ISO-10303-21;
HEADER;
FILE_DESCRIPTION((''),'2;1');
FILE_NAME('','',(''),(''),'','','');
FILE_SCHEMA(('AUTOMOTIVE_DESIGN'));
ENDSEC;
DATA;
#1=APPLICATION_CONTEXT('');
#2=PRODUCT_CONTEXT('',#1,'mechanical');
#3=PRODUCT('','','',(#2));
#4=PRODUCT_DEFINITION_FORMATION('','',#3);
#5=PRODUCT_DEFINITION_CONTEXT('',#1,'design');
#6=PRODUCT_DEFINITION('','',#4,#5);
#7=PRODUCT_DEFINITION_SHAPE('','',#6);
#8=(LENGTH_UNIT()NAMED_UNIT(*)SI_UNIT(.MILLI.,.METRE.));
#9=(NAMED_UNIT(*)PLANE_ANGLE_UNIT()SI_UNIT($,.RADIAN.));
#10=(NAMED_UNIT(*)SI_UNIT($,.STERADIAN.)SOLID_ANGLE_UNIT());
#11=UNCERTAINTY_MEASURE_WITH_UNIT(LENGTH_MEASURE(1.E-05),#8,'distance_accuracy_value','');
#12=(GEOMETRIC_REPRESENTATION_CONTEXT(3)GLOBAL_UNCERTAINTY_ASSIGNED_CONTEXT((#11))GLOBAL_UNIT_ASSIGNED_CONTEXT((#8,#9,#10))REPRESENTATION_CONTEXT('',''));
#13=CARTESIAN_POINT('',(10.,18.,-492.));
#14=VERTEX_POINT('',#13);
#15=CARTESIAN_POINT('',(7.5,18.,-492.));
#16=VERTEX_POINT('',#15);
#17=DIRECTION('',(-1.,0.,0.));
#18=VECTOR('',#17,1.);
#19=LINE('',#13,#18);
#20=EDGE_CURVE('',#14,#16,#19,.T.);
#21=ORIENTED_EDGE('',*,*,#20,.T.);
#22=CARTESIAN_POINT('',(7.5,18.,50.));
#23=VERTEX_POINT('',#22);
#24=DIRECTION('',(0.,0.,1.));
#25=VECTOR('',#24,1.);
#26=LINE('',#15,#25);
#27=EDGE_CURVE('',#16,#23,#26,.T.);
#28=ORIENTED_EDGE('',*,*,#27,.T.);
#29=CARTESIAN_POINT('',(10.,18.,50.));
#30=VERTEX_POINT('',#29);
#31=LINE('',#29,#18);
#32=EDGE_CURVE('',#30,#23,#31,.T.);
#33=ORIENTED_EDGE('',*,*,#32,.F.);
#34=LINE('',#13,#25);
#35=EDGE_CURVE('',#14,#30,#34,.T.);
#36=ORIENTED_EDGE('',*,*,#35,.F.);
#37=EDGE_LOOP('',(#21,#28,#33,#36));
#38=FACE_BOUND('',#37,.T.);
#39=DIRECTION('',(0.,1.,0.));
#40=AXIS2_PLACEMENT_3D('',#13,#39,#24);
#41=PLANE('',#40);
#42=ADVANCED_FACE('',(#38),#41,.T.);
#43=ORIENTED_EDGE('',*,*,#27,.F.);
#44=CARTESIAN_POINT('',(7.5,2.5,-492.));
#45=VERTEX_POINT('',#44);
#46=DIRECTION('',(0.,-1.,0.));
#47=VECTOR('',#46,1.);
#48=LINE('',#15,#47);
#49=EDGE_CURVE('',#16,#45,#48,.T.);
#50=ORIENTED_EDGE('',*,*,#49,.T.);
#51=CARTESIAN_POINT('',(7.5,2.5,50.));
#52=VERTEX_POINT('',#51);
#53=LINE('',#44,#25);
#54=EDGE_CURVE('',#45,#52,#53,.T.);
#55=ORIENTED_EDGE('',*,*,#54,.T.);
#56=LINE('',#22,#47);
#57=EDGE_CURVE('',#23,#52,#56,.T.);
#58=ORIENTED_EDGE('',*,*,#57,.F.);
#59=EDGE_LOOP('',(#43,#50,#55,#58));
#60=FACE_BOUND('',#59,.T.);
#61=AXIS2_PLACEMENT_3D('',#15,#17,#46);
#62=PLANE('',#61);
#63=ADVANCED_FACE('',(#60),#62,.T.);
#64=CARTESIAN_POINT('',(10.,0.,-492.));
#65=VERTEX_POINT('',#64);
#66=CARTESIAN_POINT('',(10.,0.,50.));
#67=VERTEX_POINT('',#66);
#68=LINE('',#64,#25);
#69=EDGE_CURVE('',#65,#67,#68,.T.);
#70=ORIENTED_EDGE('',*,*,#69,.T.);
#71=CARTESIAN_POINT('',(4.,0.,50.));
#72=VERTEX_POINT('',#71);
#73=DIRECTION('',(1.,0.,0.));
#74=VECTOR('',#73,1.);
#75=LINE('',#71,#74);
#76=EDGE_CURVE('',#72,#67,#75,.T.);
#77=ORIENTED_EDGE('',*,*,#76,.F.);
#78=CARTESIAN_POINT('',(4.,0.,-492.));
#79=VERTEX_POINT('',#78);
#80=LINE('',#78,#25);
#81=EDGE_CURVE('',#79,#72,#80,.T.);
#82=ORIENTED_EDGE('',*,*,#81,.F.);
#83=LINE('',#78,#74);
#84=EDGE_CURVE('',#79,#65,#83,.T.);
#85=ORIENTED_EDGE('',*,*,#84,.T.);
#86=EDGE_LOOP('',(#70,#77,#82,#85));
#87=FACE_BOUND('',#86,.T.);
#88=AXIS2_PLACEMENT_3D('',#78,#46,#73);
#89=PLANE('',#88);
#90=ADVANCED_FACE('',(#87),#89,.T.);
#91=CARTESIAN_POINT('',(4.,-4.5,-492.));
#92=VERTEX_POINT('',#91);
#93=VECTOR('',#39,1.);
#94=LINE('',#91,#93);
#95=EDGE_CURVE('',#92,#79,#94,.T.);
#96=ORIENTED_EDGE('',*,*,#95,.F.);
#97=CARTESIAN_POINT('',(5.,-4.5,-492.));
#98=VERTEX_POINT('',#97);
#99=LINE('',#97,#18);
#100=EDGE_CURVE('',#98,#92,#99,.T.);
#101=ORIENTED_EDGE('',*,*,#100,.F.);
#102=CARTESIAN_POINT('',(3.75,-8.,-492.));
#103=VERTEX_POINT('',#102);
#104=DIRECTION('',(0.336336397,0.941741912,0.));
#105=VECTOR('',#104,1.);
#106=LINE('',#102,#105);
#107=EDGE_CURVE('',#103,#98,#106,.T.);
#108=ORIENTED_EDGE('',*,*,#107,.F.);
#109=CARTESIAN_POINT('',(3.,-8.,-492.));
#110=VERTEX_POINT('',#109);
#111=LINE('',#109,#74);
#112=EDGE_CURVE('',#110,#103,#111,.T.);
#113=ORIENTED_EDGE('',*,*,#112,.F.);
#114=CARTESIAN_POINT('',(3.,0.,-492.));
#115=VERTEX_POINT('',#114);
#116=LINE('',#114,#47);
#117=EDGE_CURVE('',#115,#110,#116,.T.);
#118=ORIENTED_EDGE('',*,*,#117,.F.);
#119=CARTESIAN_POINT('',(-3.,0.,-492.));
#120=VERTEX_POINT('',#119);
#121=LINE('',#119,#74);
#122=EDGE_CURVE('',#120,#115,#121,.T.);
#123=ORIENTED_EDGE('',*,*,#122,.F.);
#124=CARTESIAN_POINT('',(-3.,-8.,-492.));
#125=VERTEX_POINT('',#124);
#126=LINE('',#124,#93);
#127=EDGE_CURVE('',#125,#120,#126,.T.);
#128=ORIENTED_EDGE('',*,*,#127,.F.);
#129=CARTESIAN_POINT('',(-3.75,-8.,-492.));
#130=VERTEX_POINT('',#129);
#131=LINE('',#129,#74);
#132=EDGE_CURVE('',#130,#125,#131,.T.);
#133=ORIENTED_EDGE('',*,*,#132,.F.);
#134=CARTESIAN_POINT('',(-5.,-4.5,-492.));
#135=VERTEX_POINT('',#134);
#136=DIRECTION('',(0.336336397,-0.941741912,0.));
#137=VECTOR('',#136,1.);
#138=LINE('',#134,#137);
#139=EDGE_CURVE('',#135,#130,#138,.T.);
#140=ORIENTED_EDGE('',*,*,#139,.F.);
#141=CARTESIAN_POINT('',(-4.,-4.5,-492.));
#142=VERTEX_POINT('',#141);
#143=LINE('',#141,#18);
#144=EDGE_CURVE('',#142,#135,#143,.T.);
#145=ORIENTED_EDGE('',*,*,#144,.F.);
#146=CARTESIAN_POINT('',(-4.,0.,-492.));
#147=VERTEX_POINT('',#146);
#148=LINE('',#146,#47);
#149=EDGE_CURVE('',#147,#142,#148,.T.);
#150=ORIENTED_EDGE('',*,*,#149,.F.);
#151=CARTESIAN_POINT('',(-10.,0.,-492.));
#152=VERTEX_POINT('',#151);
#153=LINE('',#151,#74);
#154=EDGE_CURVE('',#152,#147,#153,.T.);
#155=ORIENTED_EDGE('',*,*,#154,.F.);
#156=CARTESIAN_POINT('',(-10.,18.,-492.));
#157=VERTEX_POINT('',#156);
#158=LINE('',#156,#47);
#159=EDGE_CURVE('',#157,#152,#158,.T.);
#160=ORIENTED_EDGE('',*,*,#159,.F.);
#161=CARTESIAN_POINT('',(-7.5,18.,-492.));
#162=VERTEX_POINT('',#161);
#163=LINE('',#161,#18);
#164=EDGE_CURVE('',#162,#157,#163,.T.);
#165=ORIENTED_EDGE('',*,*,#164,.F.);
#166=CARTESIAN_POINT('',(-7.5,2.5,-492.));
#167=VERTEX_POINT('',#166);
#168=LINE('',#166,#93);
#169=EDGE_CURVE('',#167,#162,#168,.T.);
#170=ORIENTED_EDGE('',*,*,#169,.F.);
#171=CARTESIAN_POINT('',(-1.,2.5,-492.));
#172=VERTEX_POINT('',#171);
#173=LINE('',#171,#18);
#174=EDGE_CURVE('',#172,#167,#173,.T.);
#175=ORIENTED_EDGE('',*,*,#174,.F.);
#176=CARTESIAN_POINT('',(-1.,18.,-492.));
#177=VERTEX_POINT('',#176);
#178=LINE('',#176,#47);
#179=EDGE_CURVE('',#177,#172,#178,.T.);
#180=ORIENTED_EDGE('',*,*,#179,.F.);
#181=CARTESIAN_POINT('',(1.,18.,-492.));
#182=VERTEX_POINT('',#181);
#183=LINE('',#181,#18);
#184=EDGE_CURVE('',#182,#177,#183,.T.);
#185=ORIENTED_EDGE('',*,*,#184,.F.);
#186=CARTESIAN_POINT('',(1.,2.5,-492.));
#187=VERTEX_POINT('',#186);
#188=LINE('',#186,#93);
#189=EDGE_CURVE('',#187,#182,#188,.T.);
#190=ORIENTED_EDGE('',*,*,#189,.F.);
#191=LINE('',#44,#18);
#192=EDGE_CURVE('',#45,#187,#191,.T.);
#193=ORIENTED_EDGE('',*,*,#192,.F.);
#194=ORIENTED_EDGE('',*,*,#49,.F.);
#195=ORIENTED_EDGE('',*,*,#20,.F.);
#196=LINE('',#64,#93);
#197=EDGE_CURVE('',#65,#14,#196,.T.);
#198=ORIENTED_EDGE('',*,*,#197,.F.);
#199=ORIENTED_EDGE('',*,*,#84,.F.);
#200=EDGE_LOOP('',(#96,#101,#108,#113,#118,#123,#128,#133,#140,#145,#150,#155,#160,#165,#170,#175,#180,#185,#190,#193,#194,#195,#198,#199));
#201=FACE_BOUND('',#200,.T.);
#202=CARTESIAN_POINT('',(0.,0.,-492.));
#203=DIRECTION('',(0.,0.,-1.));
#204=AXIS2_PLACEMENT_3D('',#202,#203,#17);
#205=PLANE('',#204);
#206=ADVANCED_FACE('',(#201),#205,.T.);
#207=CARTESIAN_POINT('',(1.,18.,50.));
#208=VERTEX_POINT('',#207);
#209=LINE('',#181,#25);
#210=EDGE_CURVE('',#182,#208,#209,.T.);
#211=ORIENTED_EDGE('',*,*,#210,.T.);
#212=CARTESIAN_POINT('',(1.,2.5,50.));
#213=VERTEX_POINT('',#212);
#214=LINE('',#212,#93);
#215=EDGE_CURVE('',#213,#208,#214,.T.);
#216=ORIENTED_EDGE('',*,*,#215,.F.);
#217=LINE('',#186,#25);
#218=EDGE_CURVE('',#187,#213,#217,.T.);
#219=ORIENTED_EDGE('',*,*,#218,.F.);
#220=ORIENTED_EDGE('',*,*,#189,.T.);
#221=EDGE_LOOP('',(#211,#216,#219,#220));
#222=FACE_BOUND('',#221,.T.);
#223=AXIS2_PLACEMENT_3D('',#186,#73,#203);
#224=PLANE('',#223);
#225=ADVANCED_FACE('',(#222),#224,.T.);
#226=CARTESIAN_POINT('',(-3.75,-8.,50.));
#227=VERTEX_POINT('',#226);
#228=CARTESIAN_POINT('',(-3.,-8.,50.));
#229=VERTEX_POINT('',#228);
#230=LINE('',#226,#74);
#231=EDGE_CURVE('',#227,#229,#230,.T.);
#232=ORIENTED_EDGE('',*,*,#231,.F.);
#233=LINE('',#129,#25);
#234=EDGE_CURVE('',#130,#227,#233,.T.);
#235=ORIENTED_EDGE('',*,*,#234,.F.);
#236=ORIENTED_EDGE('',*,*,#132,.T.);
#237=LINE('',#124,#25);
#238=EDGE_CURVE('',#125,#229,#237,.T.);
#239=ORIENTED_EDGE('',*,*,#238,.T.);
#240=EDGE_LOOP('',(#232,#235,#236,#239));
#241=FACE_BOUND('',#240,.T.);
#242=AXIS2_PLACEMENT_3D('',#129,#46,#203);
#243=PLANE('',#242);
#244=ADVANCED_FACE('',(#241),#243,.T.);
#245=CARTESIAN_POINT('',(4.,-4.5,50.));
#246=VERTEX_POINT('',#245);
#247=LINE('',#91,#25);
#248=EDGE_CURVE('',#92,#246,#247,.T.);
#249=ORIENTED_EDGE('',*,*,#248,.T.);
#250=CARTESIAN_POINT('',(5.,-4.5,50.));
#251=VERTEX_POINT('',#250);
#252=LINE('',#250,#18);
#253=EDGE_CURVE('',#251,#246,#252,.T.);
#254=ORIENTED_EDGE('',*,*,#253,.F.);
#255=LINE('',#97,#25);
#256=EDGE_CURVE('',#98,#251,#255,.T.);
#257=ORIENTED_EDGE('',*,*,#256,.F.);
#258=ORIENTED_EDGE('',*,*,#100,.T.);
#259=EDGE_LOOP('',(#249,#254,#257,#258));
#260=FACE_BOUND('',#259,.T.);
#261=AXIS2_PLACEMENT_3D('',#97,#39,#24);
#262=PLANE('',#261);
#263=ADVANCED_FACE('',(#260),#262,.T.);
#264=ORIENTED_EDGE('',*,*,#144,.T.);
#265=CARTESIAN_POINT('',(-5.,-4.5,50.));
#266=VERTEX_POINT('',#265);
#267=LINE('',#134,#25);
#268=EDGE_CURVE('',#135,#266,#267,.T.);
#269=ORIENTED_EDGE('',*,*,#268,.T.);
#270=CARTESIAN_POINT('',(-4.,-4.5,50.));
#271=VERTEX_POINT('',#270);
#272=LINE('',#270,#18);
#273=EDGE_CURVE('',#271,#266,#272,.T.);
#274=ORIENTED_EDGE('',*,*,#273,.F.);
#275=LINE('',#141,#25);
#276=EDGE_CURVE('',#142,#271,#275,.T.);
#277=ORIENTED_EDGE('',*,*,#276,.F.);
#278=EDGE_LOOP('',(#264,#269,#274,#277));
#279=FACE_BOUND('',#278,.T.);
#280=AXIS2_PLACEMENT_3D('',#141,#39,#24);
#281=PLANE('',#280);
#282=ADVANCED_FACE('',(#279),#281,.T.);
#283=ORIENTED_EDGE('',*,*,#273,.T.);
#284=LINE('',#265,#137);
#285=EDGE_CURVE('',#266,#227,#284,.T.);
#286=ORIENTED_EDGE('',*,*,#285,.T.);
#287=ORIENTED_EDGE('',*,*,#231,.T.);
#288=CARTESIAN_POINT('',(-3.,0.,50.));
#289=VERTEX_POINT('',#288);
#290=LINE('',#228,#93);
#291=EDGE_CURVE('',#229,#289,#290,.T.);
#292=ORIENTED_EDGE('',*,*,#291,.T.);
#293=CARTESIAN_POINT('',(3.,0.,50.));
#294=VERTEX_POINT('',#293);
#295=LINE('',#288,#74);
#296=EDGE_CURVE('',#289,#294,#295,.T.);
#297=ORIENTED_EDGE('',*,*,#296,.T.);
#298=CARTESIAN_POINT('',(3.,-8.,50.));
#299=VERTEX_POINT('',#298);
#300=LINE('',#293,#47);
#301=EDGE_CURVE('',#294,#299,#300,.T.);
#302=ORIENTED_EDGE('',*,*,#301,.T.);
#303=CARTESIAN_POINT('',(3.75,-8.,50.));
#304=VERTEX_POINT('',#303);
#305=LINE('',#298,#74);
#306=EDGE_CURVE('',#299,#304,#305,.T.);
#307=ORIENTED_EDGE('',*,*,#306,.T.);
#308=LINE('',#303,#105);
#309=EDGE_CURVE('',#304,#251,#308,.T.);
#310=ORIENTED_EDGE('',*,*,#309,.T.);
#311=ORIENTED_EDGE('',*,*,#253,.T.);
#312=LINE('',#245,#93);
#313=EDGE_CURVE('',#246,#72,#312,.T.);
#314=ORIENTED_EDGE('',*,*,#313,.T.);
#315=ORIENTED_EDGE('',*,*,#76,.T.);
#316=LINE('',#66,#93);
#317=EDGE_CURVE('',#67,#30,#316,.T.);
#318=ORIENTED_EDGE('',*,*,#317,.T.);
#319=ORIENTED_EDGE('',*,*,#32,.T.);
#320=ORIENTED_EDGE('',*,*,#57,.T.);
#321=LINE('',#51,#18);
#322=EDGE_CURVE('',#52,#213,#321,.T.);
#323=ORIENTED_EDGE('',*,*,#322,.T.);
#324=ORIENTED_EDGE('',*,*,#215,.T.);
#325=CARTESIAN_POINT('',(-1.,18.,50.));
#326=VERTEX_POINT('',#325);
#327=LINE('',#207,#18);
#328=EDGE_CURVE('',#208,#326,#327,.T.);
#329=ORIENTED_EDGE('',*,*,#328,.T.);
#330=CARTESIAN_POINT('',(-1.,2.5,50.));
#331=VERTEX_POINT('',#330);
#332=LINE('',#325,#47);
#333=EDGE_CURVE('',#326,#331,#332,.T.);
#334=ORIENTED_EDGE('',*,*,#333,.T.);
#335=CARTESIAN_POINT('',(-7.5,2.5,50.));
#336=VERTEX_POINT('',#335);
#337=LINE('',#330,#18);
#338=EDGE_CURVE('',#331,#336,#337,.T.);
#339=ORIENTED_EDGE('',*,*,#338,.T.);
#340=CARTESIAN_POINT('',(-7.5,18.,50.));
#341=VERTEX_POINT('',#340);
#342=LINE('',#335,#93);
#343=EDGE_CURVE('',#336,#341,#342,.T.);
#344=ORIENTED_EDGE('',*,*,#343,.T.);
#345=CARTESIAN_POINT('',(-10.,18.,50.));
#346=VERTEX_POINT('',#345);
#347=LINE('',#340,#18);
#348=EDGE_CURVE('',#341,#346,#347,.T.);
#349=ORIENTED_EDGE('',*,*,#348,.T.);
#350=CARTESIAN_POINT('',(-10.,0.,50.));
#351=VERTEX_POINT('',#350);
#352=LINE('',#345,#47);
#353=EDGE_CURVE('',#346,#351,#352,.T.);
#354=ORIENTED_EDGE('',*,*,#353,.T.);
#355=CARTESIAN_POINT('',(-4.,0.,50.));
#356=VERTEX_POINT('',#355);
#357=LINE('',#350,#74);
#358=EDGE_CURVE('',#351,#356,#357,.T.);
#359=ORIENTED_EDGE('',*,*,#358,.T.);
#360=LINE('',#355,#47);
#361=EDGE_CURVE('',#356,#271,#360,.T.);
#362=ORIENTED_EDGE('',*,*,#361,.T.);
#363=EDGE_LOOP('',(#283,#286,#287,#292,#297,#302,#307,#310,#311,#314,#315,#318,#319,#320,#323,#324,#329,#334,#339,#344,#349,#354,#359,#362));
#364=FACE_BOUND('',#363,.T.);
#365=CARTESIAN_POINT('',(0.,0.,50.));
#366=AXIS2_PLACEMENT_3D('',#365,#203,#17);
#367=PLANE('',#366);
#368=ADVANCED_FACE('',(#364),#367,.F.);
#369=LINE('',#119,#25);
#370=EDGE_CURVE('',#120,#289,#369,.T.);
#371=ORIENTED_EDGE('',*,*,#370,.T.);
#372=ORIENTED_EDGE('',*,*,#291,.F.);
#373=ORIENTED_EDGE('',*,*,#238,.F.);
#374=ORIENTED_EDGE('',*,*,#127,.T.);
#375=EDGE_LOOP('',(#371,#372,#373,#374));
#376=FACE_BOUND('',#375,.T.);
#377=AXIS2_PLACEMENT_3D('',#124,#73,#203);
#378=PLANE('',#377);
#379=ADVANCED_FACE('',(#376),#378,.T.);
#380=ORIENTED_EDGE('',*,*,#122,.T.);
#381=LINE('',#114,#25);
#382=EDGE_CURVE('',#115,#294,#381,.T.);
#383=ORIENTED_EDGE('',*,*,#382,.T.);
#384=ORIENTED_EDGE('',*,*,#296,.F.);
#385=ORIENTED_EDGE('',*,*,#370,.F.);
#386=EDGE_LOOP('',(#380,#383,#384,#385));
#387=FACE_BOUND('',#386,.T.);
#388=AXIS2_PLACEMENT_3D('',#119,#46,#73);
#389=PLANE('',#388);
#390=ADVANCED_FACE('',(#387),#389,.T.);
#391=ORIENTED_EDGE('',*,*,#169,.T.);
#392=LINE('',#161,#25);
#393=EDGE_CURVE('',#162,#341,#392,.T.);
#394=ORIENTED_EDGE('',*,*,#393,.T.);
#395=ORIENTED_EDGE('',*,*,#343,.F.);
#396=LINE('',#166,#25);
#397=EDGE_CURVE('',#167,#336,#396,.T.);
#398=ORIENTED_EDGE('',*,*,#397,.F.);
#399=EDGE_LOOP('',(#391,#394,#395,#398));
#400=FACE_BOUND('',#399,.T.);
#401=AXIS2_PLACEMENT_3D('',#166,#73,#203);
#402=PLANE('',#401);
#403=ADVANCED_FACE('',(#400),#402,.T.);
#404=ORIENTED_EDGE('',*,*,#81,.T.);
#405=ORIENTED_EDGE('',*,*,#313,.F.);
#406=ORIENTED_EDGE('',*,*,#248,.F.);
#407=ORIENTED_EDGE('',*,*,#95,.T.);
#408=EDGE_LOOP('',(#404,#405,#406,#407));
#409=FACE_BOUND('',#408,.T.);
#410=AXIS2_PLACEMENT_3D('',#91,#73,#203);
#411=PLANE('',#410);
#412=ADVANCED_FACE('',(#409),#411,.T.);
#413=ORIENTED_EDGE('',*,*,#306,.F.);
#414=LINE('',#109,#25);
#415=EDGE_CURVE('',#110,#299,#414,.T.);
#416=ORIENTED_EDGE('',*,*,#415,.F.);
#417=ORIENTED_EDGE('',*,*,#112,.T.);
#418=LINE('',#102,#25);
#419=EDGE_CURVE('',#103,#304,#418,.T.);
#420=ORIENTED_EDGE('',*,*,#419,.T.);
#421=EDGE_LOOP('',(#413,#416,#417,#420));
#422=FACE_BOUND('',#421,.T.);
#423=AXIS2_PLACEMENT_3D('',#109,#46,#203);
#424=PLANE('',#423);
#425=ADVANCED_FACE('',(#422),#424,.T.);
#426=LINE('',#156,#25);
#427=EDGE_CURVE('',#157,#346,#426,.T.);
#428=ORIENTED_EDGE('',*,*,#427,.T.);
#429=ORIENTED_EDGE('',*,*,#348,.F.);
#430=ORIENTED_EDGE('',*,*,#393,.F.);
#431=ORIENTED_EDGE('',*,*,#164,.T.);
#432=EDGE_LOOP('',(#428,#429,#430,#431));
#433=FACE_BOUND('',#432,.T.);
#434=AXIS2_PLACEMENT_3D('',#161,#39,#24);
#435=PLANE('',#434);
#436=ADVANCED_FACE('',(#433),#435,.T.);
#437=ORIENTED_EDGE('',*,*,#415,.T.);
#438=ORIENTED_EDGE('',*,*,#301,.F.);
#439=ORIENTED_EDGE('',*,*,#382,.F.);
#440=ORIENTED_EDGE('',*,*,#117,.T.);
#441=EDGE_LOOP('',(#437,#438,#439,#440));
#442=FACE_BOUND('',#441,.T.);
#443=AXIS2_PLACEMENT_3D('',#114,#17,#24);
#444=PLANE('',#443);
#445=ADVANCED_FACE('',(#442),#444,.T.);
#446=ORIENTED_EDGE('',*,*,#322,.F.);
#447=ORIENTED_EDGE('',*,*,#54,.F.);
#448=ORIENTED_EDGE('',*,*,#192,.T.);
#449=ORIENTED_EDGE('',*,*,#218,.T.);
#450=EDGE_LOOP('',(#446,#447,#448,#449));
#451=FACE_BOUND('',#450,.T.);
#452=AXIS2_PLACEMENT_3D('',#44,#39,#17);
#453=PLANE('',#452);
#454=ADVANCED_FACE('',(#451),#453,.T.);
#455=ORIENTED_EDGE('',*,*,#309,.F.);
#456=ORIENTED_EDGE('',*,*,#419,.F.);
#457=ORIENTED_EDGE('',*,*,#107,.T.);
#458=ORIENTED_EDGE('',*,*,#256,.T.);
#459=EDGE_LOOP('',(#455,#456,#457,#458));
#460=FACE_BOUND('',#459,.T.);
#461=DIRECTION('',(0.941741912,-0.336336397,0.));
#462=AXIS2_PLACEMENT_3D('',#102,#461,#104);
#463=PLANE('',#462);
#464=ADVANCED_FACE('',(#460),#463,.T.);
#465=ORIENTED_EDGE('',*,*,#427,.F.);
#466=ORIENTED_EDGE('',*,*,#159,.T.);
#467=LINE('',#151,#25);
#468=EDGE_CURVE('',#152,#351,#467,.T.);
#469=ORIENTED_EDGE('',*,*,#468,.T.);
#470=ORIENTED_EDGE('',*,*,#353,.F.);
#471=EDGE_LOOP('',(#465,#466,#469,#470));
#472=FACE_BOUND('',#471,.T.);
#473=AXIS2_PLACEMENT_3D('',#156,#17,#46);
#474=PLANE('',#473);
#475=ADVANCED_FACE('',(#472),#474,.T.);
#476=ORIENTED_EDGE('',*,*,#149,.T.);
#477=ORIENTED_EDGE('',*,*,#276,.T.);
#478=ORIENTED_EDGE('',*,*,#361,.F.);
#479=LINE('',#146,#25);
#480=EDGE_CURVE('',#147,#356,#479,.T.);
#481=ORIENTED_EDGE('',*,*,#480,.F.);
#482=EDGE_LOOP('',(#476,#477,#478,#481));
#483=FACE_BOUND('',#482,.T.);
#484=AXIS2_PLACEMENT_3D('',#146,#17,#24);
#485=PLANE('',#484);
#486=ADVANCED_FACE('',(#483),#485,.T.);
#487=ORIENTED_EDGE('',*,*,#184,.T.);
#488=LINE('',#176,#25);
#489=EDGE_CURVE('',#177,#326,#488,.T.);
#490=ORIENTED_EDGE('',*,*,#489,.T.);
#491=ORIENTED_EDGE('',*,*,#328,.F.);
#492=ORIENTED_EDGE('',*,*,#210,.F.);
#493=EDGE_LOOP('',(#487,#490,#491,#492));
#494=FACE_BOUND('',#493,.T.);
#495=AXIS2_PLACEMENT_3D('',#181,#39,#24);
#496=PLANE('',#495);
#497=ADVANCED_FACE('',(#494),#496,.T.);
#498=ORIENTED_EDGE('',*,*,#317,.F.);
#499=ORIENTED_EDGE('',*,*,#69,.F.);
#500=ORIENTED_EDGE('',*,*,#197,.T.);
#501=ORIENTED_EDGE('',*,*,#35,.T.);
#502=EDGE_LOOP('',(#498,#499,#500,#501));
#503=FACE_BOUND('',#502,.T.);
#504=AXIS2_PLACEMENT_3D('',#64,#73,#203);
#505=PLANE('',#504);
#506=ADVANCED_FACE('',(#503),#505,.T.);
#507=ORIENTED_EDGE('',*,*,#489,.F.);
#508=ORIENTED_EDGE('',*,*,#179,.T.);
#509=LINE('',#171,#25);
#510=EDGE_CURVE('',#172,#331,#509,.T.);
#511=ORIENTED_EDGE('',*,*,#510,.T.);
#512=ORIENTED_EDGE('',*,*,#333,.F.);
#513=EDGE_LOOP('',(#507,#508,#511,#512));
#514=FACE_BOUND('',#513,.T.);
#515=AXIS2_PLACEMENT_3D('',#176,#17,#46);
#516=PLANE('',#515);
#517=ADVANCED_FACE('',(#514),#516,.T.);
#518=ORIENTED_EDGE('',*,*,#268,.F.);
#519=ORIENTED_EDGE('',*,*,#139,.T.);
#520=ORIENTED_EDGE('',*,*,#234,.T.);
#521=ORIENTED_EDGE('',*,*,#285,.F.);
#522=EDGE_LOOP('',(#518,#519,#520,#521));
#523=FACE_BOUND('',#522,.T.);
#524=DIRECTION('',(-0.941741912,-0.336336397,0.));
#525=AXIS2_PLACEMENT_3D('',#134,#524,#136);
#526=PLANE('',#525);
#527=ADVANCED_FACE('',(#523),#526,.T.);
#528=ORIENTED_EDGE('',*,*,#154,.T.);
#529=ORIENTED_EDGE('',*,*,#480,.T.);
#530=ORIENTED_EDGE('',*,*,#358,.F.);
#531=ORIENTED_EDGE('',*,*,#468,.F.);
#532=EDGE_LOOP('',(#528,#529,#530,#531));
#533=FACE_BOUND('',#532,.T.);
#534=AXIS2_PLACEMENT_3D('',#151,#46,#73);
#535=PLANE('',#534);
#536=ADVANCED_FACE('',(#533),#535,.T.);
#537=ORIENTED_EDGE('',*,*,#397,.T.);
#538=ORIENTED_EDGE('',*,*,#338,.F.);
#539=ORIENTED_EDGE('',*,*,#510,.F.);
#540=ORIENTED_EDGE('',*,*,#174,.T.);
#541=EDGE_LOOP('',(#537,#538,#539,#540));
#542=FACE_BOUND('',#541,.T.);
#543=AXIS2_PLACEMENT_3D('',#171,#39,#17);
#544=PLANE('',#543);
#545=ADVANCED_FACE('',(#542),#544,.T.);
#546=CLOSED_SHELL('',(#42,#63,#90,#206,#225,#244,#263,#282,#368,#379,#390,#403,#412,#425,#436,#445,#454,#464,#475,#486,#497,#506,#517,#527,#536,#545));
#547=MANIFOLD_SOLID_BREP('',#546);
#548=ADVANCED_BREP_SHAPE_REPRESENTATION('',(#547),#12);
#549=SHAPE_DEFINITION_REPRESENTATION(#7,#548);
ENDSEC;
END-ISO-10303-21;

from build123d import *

# Parameters (mm, degrees)
BOSS_EXTRU_1_DEPTH = 542


with BuildPart() as part:
    # Esquisse1 → Boss.-Extru.1 (new body)
    with BuildSketch(Plane.XY.offset(50)):
        Polygon((-1, 2.5), (-7.5, 2.5), (-7.5, 17.999999998), (-10, 17.999999998), (-10, 0), (-4, 0), (-4, -4.5), (-5, -4.5), (-3.75, -8), (-3, -8), (-3, 0), (3, 0), (3, -8), (3.75, -8), (5, -4.5), (4, -4.5), (4, 0), (10, 0), (10, 17.999999998), (7.5, 17.999999998), (7.5, 2.5), (1, 2.5), (1, 17.999999998), (-1, 17.999999998), align=None)
    extrude(amount=-BOSS_EXTRU_1_DEPTH)


solid = part.part
